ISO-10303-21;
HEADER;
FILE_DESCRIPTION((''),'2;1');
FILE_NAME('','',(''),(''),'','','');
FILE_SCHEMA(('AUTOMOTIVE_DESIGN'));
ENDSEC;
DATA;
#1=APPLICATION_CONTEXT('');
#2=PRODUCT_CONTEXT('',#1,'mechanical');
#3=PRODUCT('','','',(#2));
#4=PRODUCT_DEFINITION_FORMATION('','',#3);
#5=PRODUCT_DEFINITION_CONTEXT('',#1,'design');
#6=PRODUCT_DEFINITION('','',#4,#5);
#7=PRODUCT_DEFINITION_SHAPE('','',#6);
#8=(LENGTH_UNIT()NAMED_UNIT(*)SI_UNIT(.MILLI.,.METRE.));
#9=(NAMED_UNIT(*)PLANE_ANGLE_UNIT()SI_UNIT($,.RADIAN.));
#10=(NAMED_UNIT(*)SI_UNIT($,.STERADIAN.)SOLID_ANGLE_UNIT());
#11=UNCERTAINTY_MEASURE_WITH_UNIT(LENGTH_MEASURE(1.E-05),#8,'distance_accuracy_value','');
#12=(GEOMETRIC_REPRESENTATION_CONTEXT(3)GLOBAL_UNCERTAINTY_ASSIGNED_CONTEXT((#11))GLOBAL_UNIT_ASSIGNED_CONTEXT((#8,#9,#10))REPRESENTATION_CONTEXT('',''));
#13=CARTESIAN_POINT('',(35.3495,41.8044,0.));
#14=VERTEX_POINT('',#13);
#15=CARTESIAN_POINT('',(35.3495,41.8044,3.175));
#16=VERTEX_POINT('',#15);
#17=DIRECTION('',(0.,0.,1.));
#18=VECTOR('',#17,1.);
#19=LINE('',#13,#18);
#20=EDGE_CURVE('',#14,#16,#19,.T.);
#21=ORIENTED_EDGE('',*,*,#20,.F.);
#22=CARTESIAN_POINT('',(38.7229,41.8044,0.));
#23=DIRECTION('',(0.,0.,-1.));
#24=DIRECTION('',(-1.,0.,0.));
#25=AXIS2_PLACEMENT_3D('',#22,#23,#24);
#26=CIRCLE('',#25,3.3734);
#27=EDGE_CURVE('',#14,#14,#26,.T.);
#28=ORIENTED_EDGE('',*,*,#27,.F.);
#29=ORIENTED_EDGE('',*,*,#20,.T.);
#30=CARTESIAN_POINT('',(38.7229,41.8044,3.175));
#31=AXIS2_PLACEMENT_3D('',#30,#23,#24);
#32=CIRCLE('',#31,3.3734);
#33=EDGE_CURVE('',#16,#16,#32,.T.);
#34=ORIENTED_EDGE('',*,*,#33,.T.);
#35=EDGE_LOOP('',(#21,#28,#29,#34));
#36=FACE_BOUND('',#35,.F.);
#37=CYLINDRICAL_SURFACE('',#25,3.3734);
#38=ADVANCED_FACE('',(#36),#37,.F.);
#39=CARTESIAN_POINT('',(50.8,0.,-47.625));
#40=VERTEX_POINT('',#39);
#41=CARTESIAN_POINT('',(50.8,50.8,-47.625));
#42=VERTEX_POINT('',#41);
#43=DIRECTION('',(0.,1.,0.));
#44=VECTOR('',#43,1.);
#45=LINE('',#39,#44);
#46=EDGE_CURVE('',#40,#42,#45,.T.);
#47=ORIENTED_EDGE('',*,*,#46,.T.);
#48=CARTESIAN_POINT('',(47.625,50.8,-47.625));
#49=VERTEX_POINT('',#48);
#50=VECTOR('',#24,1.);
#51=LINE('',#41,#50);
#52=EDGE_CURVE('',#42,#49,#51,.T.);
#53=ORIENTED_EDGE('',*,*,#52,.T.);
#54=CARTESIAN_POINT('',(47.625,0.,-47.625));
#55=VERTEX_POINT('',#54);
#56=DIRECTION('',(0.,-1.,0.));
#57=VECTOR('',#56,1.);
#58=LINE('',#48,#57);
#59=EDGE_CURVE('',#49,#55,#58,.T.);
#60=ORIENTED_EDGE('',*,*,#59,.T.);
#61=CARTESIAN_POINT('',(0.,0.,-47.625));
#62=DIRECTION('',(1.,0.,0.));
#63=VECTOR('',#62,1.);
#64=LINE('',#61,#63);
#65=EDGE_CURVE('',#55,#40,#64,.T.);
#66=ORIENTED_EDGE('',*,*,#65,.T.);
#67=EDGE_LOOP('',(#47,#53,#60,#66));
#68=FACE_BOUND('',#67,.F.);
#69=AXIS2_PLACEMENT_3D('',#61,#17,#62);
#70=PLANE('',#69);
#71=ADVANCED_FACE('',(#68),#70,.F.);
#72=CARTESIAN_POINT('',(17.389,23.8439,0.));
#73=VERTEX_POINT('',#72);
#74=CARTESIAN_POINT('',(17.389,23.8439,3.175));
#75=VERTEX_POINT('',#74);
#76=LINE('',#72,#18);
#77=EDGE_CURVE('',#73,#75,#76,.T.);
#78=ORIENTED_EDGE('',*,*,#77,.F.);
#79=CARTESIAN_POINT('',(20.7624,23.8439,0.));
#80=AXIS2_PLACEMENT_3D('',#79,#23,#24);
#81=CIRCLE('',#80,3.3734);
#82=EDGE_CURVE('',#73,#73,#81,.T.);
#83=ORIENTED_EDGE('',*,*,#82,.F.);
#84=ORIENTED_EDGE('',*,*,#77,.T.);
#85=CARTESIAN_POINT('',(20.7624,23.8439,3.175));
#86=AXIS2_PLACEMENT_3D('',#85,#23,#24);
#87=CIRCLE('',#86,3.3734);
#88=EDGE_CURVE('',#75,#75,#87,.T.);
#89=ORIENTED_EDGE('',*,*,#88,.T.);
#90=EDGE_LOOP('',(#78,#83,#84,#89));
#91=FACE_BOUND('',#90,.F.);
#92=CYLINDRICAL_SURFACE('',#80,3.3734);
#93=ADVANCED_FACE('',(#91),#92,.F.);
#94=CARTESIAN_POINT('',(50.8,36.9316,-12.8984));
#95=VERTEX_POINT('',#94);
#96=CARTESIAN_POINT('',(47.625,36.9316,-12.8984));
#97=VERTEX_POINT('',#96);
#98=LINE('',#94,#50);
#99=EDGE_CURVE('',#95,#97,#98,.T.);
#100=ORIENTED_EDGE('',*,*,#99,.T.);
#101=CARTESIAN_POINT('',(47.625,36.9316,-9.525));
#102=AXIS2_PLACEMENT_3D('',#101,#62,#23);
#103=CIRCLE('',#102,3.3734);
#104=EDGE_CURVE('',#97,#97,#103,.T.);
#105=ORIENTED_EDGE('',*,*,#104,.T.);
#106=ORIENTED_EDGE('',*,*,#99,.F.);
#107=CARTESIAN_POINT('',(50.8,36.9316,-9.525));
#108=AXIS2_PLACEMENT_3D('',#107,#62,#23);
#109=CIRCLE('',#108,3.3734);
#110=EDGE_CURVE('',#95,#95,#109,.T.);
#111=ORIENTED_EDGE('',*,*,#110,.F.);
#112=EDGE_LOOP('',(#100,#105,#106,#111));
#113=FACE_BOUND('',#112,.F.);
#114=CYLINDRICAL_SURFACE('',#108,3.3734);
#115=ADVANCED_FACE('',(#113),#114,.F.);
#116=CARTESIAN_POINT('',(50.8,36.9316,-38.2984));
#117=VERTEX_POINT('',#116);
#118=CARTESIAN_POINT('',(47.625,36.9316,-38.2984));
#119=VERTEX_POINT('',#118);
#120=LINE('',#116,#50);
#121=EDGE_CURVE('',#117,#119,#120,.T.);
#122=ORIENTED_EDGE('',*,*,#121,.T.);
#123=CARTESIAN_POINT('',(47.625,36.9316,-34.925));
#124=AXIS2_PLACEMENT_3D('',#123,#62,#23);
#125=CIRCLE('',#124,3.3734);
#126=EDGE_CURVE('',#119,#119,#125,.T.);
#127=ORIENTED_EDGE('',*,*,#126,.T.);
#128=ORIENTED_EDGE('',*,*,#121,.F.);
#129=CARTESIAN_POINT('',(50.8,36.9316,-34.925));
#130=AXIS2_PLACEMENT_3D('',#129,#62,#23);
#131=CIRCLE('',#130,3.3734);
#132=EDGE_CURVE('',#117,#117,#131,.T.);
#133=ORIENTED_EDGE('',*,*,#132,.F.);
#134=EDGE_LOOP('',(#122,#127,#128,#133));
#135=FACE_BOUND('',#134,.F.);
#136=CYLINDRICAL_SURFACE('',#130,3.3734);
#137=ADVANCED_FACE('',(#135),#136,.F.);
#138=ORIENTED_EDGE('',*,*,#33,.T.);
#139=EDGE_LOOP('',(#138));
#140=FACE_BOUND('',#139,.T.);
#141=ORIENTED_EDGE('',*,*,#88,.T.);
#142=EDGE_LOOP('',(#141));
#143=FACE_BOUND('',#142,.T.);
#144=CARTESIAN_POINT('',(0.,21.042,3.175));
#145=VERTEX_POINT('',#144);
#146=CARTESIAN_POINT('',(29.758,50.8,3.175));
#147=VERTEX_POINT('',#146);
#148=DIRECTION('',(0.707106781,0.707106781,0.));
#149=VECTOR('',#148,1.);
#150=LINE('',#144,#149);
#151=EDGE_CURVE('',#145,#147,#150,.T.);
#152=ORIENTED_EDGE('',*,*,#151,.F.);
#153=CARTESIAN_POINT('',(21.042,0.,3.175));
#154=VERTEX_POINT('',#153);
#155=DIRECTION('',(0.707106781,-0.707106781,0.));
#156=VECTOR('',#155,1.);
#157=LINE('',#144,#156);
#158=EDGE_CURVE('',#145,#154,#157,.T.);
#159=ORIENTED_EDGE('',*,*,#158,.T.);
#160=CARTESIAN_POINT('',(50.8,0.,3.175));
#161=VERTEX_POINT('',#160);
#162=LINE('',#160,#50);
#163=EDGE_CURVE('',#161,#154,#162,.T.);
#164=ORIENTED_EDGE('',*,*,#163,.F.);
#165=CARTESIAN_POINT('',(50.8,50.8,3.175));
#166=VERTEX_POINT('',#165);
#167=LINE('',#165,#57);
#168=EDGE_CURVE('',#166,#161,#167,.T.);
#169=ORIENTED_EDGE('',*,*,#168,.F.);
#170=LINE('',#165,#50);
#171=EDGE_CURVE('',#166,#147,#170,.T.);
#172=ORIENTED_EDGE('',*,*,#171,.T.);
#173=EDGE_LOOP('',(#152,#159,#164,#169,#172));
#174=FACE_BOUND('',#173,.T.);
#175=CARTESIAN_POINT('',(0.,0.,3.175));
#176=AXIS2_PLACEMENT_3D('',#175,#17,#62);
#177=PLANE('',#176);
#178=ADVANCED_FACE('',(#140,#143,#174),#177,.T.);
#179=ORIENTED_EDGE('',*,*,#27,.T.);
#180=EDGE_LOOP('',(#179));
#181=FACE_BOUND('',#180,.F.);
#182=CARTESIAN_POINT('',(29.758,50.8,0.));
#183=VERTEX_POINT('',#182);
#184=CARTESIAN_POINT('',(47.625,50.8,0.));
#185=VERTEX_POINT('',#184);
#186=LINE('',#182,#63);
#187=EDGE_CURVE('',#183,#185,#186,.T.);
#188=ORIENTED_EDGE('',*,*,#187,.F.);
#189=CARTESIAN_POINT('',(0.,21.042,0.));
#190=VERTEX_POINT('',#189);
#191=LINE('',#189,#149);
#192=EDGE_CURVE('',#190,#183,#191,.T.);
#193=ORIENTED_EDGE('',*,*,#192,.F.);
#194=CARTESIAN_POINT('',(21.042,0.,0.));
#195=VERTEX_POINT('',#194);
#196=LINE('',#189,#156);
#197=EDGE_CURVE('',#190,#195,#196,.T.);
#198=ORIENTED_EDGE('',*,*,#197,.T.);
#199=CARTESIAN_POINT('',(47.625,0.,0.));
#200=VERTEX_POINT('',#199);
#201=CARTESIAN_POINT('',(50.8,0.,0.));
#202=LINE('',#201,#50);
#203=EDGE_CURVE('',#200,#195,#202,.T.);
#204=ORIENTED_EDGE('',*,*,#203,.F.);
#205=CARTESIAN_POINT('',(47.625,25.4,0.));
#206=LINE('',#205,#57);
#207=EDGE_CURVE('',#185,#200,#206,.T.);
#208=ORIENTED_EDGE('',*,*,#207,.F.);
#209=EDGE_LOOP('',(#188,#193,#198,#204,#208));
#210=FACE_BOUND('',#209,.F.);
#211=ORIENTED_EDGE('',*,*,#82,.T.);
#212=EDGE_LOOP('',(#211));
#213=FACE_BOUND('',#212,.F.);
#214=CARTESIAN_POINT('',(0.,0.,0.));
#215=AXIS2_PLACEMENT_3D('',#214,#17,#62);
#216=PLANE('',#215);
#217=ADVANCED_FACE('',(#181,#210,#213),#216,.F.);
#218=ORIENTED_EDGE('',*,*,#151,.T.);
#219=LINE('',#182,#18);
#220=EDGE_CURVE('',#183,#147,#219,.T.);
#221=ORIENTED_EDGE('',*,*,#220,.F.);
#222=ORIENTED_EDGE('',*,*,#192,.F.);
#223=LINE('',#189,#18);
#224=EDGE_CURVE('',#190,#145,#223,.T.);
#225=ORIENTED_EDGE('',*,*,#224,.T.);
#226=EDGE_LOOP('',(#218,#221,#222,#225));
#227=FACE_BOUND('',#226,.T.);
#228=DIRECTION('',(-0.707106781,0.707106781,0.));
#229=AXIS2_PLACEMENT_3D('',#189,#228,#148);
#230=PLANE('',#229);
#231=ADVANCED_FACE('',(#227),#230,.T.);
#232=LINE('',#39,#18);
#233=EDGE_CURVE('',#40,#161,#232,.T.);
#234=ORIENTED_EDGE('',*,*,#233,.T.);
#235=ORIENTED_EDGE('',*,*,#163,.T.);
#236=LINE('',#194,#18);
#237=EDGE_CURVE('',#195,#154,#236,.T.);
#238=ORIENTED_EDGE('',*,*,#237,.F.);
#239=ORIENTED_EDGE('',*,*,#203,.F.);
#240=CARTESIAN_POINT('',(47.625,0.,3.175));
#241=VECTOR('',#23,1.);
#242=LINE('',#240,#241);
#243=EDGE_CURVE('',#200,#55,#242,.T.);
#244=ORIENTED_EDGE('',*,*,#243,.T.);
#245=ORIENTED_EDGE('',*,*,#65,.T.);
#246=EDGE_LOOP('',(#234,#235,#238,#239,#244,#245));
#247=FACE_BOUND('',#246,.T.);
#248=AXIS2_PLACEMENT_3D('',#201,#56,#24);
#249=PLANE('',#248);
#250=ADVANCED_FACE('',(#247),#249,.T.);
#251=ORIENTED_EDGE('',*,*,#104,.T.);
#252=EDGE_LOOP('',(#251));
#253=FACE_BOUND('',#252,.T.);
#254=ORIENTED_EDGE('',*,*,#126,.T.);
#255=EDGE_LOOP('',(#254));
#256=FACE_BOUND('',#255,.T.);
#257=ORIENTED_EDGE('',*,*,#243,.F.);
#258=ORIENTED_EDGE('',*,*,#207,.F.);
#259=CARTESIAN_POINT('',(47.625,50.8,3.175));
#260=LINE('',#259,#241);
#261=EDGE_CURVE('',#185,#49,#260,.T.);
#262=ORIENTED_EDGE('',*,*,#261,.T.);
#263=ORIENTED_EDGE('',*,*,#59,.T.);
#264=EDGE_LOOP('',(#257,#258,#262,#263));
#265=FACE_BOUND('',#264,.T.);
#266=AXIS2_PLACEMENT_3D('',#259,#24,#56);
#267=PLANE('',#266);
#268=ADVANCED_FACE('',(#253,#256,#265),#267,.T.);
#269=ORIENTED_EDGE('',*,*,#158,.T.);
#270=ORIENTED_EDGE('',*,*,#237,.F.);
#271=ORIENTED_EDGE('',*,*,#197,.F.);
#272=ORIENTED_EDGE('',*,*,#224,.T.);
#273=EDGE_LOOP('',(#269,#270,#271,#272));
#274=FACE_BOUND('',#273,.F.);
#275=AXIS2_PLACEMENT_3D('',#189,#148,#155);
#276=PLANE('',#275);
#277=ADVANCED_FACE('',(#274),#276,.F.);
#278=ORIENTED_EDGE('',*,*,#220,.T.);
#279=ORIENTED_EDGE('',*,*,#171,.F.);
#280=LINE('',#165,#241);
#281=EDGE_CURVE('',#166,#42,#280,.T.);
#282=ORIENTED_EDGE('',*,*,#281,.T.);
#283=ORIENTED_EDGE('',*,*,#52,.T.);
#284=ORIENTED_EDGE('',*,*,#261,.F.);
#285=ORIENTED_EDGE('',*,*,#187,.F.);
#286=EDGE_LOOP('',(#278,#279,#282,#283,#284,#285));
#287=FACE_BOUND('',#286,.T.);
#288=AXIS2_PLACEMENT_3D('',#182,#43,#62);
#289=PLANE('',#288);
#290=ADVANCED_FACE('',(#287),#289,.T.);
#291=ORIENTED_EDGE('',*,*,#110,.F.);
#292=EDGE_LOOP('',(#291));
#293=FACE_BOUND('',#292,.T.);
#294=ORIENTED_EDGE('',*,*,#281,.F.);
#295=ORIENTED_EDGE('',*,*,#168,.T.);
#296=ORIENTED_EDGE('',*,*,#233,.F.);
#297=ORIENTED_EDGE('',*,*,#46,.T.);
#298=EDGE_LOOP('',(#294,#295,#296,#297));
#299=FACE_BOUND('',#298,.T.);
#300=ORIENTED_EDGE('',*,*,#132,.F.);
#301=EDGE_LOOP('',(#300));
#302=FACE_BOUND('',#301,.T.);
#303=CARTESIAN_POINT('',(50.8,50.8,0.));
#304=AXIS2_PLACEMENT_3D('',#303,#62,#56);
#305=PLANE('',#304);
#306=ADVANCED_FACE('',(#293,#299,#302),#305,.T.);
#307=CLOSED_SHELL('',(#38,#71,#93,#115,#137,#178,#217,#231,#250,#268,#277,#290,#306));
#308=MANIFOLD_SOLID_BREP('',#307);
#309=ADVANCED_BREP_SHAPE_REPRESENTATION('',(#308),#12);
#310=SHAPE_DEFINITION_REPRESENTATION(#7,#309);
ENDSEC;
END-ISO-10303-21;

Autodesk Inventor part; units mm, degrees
ref_plane "YZ Plane" through (0, 0, 0) normal (1, 0, 0) x (0, 1, 0)
ref_plane "XZ Plane" through (0, 0, 0) normal (0, 1, 0) x (-1, 0, 0)
ref_plane "XY Plane" through (0, 0, 0) normal (0, 0, 1) x (1, 0, 0)
sketch "Sketch1" plane through (0, 0, 0) normal (0, 0, 1) x (1, 0, 0)
  line L0 (0, 0) -> (0, 21.042)
  line L1 (0, 21.042) -> (29.758, 50.8)
  line L2 (29.758, 50.8) -> (50.8, 50.8)
  line L3 (50.8, 50.8) -> (50.8, 0)
  line L4 (50.8, 0) -> (0, 0)
  dimension "d0" = 50.8
  dimension "d2" = 50.8
  dimension "d3" = 50.8
  dimension "d4" = 135
extrude "Extrusion1" add sketch "Sketch1" along normal blind 3.175
sketch "Sketch2" plane through (0, 0, 3.175) normal (0, 0, 1) x (1, 0, 0)
  line L0 (50.8, 0) -> (50.8, 50.8) projected
  line L1 (0, 0) -> (50.8, 0) projected
  line L2 (50.8, 50.8) -> (47.625, 50.8)
  line L3 (47.625, 50.8) -> (47.625, 0)
  line L4 (47.625, 0) -> (50.8, 0)
  line L5 (50.8, 0) -> (50.8, 50.8)
  dimension "d7" = 3.175
extrude "Extrusion2" add sketch "Sketch2" against normal blind 50.8
sketch "Sketch3" plane through (50.8, 0, 3.175) normal (1, 0, 0) x (0, 0, -1)
  circle A0 centre (38.1, 36.9316) radius 3.3734
  circle A1 centre (12.7, 36.9316) radius 3.3734
  line L0 (0, 50.8) -> (50.8, 50.8) projected
  line L1 (0, 0) -> (0, 50.8) projected
  point P0 (3.175, 0)
  dimension "d10" = 6.7469
  dimension "d11" = 6.7469
  dimension "d12" = 13.8684
  dimension "d13" = 13.8684
  dimension "d14" = 12.7
  dimension "d15" = 25.4
extrude "Extrusion3" cut sketch "Sketch3" against normal blind 3.175
sketch "Sketch4" plane through (0, 0, 0) normal (0, 0, -1) x (-1, 0, 0)
  line L0 (0, 0) -> (0, 21.042) projected
  line L1 (0, 21.042) -> (-21.042, 0)
  line L2 (-47.625, 0) -> (0, 0) projected
  line L3 (0, 21.042) -> (-29.758, 50.8) projected
  line L4 (0, 21.042) -> (0, 0)
  line L5 (-21.042, 0) -> (0, 0)
  circle A0 centre (-20.7624, 23.8439) radius 3.3734
  circle A1 centre (-38.7229, 41.8044) radius 3.3734
  line L6 (-50.8, 50.8) -> (-50.8, 0) projected
  line L7 (-29.758, 50.8) -> (-47.625, 50.8) projected
  dimension "d18" = 16.6624
  dimension "d19" = 12.7
  dimension "d20" = 12.7
  dimension "d21" = 6.7469
  dimension "d22" = 25.4
  dimension "d25" = 12.0771
  dimension "d26" = 30.0376
  dimension "d27" = 8.9956
  dimension "d28" = 26.9561
  dimension "d29" = 23.8439
extrude "Extrusion4" cut sketch "Sketch4" against normal blind 3.175
properties part number "bottom left rail gusset" material "Aluminum 6061"
